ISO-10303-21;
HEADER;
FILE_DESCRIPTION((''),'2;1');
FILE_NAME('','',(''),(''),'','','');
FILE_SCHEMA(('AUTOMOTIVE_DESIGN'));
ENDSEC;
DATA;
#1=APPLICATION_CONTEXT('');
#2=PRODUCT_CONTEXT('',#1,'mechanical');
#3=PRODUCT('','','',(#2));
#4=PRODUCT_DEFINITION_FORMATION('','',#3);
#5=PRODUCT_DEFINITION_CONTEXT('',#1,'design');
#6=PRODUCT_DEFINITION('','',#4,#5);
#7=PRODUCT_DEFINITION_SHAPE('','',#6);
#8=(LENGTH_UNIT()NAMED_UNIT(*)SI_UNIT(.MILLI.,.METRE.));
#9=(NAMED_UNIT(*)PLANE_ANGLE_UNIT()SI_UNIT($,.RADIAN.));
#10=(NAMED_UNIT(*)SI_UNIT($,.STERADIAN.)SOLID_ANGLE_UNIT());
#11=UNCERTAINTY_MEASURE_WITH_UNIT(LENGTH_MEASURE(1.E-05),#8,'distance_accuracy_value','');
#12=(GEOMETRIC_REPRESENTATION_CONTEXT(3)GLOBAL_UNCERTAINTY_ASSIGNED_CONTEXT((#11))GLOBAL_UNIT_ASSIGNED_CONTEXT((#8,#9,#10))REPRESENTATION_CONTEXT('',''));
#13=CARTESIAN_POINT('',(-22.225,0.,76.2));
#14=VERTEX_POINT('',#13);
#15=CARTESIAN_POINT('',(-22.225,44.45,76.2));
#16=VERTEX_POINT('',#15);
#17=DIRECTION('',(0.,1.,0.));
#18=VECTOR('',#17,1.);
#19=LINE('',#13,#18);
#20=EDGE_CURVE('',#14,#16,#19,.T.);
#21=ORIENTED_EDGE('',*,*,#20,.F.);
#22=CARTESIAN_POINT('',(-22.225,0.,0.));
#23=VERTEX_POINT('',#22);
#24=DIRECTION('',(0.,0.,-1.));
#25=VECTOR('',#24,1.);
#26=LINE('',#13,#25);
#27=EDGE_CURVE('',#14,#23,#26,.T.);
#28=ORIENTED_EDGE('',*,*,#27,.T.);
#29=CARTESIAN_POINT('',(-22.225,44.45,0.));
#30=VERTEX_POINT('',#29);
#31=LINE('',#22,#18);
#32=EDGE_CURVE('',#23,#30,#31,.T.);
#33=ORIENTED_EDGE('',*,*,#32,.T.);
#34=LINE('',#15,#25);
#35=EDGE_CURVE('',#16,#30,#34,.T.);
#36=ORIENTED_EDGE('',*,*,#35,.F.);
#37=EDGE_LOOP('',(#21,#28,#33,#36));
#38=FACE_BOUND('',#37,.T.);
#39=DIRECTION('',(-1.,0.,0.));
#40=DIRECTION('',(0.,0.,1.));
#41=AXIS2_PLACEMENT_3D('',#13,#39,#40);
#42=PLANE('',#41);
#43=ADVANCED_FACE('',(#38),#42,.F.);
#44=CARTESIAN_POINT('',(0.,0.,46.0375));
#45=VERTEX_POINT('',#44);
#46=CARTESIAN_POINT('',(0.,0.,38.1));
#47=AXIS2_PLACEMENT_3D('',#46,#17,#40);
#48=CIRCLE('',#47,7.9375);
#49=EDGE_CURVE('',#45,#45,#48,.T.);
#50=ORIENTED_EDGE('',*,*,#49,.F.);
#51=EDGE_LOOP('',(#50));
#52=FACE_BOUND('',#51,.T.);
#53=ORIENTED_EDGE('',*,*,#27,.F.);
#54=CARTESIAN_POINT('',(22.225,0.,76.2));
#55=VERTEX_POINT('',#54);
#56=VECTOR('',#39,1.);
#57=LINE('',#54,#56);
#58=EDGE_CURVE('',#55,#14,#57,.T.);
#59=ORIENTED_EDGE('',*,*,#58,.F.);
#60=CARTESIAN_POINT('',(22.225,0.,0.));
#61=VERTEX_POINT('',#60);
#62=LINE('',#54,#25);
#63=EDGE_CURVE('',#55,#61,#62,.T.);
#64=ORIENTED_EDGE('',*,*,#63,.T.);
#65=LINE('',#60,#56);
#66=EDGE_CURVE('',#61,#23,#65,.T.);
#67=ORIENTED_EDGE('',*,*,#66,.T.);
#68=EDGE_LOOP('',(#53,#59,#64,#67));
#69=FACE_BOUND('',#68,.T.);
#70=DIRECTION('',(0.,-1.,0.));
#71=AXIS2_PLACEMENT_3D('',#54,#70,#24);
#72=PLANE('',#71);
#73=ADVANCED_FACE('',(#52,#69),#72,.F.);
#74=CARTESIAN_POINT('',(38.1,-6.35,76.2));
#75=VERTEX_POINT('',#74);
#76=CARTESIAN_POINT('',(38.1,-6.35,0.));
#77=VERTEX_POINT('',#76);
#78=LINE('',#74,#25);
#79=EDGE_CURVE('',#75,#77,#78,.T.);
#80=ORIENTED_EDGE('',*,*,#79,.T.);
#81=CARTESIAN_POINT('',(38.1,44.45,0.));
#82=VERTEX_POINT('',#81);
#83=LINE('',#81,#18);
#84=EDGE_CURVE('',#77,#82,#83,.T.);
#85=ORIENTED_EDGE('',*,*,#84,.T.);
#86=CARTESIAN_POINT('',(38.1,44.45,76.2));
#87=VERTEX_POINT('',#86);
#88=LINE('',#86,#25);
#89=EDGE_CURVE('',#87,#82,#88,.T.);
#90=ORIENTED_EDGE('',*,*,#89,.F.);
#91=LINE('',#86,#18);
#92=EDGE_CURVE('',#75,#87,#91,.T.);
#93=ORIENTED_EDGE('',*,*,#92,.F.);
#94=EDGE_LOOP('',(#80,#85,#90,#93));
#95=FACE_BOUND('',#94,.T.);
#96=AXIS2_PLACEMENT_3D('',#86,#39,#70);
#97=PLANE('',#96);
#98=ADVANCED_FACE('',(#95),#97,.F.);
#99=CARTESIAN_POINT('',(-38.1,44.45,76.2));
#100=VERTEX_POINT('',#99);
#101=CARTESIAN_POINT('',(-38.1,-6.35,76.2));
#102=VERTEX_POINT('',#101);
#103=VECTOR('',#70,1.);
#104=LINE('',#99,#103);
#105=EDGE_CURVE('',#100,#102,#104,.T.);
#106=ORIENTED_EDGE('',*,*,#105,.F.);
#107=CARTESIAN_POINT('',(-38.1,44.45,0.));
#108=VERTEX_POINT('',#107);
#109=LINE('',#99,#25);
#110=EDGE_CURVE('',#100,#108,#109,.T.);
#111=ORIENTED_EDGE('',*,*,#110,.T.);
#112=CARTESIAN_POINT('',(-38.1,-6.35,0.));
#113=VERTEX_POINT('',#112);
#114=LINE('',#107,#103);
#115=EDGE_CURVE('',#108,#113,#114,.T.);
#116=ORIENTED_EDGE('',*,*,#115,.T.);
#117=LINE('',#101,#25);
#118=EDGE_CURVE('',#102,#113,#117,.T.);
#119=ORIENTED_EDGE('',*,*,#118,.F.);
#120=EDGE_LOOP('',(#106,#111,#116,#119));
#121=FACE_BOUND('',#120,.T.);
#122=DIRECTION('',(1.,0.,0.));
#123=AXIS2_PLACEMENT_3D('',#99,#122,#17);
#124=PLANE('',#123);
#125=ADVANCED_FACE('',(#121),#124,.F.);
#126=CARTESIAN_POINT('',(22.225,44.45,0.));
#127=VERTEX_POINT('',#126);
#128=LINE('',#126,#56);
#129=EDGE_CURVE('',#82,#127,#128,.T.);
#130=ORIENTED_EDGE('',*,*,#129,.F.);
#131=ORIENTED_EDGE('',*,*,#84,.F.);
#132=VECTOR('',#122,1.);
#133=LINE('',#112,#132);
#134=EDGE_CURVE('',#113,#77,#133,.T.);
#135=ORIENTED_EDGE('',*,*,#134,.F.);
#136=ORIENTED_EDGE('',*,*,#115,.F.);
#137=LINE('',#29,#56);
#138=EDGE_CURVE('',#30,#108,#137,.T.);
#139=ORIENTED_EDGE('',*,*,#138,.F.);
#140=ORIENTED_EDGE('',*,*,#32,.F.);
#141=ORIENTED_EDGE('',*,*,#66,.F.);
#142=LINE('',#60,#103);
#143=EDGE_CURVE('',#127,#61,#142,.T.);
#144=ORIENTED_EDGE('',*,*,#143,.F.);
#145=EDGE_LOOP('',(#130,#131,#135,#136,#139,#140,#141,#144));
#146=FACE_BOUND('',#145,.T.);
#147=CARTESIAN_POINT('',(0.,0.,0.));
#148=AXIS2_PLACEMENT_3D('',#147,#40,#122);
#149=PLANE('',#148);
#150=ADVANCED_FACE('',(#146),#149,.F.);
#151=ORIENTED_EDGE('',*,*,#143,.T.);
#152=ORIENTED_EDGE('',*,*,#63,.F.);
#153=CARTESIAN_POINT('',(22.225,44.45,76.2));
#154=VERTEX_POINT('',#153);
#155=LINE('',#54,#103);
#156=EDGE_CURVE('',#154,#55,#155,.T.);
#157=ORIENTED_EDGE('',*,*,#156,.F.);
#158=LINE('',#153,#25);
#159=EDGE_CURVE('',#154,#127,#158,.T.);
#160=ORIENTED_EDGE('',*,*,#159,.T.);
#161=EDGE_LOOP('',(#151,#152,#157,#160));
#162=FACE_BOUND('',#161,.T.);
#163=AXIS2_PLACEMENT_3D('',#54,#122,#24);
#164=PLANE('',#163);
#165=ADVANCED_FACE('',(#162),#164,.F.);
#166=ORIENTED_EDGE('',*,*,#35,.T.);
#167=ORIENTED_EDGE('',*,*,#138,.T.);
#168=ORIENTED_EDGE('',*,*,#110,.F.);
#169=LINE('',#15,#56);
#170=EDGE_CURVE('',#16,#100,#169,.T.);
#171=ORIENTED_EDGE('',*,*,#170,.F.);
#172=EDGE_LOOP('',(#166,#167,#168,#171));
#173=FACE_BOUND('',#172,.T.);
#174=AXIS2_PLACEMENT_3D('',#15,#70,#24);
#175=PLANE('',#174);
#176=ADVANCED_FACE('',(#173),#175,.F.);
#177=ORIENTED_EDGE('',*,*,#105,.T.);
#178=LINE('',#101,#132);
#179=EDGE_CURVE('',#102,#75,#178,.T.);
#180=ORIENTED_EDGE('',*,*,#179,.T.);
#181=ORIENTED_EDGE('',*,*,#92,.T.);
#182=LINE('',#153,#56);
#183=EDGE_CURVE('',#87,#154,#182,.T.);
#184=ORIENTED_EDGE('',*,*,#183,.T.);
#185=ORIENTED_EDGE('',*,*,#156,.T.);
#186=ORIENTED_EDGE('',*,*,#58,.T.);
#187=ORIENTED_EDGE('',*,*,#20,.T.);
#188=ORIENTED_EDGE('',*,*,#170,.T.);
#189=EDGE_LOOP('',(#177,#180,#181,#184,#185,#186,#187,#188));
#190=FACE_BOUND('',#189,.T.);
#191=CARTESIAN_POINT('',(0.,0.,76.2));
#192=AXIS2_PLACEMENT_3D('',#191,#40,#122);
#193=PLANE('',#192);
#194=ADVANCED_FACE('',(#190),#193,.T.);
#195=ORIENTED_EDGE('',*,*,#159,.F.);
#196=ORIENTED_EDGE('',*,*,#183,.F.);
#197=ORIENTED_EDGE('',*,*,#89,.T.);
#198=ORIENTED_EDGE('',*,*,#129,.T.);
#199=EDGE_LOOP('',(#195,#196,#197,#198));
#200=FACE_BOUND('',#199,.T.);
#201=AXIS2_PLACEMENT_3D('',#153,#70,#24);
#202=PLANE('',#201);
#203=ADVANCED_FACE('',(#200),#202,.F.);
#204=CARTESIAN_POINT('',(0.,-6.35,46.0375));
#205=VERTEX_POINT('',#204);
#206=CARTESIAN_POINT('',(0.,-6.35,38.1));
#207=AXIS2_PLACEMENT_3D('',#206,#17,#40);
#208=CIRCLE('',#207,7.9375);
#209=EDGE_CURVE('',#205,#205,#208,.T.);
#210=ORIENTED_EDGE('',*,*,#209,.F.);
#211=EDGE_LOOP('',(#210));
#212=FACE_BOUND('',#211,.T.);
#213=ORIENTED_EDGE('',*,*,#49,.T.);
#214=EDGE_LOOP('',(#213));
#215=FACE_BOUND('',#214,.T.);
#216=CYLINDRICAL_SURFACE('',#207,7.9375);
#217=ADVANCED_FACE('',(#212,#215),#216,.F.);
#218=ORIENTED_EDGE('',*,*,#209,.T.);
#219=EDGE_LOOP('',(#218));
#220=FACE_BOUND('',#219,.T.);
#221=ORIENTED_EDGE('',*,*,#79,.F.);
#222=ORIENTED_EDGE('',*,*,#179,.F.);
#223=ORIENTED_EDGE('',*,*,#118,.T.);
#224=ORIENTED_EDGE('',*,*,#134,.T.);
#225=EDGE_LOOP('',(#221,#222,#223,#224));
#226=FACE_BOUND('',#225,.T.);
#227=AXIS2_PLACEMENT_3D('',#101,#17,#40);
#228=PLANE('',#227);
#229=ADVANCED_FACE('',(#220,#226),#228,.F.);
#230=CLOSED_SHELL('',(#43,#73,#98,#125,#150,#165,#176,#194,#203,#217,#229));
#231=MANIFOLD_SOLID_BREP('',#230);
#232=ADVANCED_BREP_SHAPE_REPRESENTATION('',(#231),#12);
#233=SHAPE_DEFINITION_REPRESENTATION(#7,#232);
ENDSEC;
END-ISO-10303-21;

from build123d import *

# Parameters (mm, degrees)
BOSS_EXTRUDE1_DEPTH = 76.2
SKETCH2_R           = 7.9375
CUT_EXTRUDE1_DEPTH  = 7.35


with BuildPart() as part:
    # Sketch1 → Boss-Extrude1 (new body)
    with BuildSketch(Plane.XY):
        Polygon((22.225, 0), (-22.225, 0), (-22.225, 44.45), (-38.1, 44.45), (-38.1, -6.35), (38.1, -6.35), (38.1, 44.45), (22.225, 44.45), align=None)
    extrude(amount=BOSS_EXTRUDE1_DEPTH)

    # Sketch2 → Cut-Extrude1 (cut, through all)
    with BuildSketch(Plane(origin=(0, 0, 0), x_dir=(1, 0, 0), z_dir=(0, 1, 0))):
        with Locations((0, -38.1)):
            Circle(SKETCH2_R)
    extrude(amount=-CUT_EXTRUDE1_DEPTH, mode=Mode.SUBTRACT)


solid = part.part
